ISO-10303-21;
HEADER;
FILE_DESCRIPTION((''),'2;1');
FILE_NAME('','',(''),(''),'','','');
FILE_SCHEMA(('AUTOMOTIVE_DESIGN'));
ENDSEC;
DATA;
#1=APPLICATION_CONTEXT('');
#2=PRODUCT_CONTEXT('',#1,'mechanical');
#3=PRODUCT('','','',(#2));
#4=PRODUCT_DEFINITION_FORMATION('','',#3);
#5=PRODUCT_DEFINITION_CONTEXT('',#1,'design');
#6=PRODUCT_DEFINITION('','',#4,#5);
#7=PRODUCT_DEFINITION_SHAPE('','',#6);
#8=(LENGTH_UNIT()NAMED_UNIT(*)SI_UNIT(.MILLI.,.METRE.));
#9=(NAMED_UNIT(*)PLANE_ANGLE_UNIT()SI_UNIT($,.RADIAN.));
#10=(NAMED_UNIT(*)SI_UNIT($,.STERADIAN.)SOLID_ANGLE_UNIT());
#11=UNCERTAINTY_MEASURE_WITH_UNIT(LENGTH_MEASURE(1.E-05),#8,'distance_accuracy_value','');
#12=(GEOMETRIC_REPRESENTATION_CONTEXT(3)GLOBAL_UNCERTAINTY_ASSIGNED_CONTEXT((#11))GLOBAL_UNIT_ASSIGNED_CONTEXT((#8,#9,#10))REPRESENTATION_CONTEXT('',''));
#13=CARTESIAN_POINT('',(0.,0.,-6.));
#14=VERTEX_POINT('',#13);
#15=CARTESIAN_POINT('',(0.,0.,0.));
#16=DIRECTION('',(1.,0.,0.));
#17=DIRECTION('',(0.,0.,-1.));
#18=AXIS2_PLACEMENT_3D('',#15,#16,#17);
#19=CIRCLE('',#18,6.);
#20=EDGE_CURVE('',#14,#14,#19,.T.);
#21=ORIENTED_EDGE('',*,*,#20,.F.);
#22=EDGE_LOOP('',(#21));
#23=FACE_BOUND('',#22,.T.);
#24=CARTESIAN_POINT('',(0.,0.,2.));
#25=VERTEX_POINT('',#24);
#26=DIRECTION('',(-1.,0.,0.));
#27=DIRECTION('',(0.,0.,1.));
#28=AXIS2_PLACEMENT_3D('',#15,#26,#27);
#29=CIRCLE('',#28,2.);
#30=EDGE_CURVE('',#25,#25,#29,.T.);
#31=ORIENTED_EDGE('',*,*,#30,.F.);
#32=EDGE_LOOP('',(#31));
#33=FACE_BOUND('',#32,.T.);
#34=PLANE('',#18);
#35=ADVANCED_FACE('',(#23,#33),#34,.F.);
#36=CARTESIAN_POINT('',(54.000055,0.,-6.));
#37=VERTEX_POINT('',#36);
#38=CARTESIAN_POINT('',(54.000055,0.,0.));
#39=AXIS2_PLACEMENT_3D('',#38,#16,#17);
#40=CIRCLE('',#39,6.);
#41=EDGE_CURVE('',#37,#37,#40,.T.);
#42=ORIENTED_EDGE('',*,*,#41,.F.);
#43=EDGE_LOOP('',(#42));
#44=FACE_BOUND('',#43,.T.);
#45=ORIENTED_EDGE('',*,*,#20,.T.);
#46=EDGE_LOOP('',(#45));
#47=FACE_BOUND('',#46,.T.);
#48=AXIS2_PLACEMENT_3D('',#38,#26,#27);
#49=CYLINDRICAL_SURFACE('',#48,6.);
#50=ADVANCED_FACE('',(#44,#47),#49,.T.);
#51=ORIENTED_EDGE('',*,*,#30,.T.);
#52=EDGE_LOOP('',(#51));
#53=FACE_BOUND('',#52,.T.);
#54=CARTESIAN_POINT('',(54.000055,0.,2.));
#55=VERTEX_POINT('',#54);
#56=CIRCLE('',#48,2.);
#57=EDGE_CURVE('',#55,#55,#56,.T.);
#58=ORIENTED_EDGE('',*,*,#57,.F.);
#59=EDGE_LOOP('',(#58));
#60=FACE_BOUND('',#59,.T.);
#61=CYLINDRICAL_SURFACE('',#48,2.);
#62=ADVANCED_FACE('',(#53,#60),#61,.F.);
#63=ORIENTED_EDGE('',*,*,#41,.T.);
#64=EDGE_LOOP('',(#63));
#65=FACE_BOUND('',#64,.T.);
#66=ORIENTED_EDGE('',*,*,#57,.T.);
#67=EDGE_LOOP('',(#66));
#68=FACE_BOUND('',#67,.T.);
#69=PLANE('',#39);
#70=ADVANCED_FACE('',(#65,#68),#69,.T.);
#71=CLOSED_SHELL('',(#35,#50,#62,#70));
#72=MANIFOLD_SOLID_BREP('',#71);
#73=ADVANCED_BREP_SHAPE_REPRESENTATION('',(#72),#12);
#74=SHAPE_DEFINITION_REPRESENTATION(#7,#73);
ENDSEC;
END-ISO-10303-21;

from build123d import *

# Parameters (mm, degrees)
SKETCH_1_R          = 6
EXTRUDE_1_DEPTH     = 54.000054561
SKETCH_2_R          = 2
CUT_EXTRUDE_1_DEPTH = 55.000054561


with BuildPart() as part:
    # Эскиз1 → Бобышка-Вытянуть1 (new body)
    with BuildSketch(Plane(origin=(0, 0, 0), x_dir=(0, 0, -1), z_dir=(1, 0, 0))):
        Circle(SKETCH_1_R)
    extrude(amount=EXTRUDE_1_DEPTH)

    # Эскиз2 → Вырез-Вытянуть1 (cut, through all)
    with BuildSketch(Plane.ZY):
        Circle(SKETCH_2_R)
    extrude(amount=-CUT_EXTRUDE_1_DEPTH, mode=Mode.SUBTRACT)


solid = part.part
